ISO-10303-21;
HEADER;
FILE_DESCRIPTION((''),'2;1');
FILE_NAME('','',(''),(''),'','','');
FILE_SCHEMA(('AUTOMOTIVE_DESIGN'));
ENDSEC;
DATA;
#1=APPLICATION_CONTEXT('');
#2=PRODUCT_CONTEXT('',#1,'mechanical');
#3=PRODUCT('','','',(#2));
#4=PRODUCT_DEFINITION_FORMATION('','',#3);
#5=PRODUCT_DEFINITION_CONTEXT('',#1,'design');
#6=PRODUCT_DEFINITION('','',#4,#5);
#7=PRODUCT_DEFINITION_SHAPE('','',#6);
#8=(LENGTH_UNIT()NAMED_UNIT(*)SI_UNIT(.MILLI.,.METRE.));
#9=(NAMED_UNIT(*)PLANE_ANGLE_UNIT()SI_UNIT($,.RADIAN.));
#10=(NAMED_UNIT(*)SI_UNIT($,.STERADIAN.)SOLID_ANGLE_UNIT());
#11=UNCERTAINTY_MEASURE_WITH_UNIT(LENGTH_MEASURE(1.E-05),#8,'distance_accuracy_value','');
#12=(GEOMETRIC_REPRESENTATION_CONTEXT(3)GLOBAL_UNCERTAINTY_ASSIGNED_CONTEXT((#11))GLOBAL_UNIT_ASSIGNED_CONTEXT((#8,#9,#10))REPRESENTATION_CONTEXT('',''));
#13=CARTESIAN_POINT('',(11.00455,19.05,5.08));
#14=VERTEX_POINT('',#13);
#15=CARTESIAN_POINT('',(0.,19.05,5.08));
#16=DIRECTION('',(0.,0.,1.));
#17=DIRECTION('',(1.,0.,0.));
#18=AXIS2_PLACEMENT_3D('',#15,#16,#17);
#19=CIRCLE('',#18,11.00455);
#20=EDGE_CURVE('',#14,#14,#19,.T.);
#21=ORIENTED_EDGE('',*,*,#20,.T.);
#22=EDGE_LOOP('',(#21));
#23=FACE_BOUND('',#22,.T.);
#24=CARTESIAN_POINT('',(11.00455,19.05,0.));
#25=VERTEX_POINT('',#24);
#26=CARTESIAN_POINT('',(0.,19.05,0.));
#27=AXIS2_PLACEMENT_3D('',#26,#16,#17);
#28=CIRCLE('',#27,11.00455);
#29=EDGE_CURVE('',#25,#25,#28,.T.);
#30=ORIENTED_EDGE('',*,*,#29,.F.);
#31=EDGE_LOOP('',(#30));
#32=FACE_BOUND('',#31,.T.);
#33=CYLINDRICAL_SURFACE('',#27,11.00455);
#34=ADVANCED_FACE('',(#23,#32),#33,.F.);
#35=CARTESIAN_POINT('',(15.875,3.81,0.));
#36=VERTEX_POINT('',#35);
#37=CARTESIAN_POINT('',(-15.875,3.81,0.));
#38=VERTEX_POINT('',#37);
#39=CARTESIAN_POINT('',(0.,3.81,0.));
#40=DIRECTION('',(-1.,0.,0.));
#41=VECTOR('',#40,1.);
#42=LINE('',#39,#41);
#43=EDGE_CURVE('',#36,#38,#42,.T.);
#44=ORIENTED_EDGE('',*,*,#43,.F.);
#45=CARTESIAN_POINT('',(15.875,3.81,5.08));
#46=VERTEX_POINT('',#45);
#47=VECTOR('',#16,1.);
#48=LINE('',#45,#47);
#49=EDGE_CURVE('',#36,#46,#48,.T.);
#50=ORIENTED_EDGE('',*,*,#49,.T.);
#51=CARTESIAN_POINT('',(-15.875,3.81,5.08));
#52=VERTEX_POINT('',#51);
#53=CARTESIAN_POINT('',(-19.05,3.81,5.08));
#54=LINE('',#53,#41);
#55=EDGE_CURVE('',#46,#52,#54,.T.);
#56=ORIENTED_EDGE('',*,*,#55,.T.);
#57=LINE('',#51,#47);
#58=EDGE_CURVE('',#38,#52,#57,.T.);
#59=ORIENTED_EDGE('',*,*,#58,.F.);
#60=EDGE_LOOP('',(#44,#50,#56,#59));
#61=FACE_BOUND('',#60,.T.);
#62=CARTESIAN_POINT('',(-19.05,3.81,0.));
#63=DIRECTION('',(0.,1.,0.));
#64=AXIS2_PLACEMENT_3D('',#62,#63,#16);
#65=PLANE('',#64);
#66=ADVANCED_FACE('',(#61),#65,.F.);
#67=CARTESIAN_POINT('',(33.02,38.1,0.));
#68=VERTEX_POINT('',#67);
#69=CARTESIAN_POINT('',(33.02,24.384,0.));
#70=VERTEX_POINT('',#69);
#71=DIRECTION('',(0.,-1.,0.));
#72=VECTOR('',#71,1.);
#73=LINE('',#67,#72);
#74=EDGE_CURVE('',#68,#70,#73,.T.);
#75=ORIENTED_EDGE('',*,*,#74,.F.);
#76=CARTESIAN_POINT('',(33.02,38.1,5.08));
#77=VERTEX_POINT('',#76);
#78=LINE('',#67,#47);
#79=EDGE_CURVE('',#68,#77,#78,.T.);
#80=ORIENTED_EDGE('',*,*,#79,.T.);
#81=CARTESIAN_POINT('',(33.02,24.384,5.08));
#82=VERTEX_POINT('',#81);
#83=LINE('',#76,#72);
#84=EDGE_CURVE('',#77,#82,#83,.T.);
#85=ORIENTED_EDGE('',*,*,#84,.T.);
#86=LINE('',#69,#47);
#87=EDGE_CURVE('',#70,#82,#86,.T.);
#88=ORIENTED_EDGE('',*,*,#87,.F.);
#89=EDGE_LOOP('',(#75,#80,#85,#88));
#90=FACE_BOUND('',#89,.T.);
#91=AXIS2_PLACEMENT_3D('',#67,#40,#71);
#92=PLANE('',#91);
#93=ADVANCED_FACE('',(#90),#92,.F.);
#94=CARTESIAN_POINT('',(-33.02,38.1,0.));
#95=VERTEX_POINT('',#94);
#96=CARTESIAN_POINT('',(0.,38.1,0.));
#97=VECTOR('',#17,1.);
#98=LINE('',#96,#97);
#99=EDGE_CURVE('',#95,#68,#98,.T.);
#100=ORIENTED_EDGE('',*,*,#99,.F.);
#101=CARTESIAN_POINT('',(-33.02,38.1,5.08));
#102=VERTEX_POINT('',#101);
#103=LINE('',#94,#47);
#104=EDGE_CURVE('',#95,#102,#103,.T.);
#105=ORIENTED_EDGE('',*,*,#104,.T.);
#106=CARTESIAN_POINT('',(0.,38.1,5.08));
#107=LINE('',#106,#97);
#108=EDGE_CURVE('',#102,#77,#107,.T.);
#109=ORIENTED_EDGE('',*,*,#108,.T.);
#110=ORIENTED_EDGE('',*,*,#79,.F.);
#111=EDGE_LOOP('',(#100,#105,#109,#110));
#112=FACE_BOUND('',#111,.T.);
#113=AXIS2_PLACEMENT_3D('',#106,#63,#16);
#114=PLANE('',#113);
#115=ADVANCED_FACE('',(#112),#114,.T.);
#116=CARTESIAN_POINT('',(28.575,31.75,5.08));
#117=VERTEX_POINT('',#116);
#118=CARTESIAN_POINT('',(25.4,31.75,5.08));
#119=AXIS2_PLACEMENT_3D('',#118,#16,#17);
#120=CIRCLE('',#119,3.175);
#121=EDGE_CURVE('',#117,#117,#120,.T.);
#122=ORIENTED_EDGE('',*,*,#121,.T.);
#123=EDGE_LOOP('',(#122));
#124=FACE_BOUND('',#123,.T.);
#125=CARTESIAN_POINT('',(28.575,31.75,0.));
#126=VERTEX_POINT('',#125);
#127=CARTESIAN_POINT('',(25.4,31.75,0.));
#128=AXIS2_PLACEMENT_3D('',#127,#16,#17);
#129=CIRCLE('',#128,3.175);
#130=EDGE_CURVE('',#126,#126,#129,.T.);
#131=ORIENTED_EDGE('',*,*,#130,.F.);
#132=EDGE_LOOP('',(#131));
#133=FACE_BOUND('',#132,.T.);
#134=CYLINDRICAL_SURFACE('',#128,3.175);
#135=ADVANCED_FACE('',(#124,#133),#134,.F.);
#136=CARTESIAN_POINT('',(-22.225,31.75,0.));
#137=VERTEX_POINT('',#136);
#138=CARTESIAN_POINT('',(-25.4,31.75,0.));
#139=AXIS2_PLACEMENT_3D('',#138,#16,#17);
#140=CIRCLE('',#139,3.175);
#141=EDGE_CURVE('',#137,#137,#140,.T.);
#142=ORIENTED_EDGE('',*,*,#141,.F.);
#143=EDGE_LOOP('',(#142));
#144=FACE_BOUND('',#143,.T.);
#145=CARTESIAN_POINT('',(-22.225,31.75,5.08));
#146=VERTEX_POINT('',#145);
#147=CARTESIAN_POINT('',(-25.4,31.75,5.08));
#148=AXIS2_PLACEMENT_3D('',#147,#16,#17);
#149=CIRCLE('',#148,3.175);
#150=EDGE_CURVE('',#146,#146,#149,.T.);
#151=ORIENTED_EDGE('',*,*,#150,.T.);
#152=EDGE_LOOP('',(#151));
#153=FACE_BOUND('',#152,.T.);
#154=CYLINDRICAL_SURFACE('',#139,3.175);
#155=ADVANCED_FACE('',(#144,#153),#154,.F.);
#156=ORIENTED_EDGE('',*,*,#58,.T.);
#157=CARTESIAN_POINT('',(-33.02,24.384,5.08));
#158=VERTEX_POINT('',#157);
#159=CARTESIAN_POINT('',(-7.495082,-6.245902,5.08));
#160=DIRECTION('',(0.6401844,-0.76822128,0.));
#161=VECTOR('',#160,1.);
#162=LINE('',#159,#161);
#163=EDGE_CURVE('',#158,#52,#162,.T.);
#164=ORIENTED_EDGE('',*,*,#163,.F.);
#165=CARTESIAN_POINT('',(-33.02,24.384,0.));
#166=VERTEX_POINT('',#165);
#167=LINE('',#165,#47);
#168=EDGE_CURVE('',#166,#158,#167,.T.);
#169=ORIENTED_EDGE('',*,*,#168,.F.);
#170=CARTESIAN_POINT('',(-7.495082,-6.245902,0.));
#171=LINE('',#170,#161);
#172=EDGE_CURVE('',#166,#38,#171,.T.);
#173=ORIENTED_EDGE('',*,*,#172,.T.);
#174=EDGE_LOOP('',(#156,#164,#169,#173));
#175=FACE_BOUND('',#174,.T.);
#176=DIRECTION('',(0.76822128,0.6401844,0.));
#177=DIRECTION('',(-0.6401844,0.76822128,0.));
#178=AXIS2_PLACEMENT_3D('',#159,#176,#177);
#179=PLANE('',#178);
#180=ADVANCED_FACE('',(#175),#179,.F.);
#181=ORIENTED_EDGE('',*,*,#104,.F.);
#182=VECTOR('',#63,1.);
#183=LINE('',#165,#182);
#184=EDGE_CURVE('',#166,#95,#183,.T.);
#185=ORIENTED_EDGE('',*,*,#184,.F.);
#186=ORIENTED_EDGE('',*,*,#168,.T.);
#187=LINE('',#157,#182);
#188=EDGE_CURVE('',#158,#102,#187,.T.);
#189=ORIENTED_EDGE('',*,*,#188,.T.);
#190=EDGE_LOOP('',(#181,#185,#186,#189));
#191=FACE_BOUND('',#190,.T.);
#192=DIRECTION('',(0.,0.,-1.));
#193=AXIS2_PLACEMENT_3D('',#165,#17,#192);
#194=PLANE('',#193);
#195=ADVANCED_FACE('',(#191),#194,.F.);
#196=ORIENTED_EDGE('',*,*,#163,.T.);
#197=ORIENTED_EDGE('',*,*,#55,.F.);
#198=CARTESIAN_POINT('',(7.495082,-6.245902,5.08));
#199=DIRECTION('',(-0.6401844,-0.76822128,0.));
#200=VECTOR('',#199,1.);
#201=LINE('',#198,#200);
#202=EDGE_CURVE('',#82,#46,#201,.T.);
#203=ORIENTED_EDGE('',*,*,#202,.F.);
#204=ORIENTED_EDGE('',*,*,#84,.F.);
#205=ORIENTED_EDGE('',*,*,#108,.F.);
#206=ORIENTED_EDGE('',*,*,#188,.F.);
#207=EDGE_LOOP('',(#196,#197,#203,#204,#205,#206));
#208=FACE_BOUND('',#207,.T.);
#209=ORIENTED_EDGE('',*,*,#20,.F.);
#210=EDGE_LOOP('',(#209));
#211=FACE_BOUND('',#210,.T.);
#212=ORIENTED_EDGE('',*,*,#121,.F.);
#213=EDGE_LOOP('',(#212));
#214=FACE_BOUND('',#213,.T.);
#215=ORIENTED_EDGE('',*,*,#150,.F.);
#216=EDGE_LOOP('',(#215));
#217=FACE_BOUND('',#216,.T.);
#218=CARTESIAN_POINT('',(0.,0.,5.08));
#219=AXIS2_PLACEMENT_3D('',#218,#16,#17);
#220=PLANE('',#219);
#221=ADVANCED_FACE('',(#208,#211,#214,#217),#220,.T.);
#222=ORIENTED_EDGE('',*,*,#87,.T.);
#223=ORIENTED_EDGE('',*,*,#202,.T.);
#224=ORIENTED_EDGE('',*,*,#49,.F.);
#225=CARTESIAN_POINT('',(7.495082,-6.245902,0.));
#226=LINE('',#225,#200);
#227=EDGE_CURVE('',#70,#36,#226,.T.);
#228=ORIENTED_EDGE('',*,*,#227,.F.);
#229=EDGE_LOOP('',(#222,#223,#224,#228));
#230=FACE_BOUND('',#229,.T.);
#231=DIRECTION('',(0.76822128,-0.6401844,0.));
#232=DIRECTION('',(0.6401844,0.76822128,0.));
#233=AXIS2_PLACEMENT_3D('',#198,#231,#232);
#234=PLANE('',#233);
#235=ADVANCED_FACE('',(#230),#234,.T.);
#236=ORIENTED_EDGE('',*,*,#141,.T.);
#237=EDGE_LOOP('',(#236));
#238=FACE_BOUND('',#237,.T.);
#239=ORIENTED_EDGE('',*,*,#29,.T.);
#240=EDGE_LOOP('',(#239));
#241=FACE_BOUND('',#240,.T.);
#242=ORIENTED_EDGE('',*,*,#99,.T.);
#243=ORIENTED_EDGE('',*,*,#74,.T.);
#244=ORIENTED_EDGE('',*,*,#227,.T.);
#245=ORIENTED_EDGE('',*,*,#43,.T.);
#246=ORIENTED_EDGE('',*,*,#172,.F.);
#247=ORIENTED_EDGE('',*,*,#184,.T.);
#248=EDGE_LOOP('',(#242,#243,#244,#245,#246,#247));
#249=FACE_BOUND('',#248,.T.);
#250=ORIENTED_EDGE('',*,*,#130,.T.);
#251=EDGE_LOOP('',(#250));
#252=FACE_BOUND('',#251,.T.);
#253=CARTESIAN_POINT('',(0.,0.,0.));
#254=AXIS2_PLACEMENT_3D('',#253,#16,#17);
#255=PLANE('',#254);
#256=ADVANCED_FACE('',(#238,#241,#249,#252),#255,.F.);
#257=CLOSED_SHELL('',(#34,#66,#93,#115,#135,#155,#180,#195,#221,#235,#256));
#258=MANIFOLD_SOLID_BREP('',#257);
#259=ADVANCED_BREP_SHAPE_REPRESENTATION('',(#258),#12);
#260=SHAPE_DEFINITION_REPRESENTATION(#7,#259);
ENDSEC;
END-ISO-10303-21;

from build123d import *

# Parameters (mm, degrees)
BOSS_EXTRUDE1_DEPTH = 5.08
SKETCH3_R           = 11.00455
SKETCH3_R_2         = 3.175
CUT_EXTRUDE2_DEPTH  = 5.08
SKETCH4_W           = 38.1
SKETCH4_H           = 3.81
CUT_EXTRUDE3_DEPTH  = 6.08


with BuildPart() as part:
    # Sketch1 → Boss-Extrude1 (new body)
    with BuildSketch(Plane.XY):
        Polygon((-44.45, 38.1), (44.45, 38.1), (12.7, 0), (-12.7, 0), align=None)
    extrude(amount=BOSS_EXTRUDE1_DEPTH)

    # Sketch3 → Cut-Extrude2 (cut)
    with BuildSketch(Plane.XY.offset(5.08)):
        with Locations((0, 19.05)):
            Circle(SKETCH3_R)
        with Locations((-25.4, 31.75)):
            Circle(SKETCH3_R_2)
        with Locations((25.4, 31.75)):
            Circle(SKETCH3_R_2)
        Polygon((-33.02, 24.384), (-33.02, 38.1), (-44.45, 38.1), align=None)
        Polygon((33.02, 38.1), (33.02, 24.384), (44.45, 38.1), align=None)
    extrude(amount=-CUT_EXTRUDE2_DEPTH, mode=Mode.SUBTRACT)

    # Sketch4 → Cut-Extrude3 (cut, through all)
    with BuildSketch(Plane.XY.offset(5.08)):
        with Locations((0, 1.905)):
            Rectangle(SKETCH4_W, SKETCH4_H)
    extrude(amount=-CUT_EXTRUDE3_DEPTH, mode=Mode.SUBTRACT)


solid = part.part
